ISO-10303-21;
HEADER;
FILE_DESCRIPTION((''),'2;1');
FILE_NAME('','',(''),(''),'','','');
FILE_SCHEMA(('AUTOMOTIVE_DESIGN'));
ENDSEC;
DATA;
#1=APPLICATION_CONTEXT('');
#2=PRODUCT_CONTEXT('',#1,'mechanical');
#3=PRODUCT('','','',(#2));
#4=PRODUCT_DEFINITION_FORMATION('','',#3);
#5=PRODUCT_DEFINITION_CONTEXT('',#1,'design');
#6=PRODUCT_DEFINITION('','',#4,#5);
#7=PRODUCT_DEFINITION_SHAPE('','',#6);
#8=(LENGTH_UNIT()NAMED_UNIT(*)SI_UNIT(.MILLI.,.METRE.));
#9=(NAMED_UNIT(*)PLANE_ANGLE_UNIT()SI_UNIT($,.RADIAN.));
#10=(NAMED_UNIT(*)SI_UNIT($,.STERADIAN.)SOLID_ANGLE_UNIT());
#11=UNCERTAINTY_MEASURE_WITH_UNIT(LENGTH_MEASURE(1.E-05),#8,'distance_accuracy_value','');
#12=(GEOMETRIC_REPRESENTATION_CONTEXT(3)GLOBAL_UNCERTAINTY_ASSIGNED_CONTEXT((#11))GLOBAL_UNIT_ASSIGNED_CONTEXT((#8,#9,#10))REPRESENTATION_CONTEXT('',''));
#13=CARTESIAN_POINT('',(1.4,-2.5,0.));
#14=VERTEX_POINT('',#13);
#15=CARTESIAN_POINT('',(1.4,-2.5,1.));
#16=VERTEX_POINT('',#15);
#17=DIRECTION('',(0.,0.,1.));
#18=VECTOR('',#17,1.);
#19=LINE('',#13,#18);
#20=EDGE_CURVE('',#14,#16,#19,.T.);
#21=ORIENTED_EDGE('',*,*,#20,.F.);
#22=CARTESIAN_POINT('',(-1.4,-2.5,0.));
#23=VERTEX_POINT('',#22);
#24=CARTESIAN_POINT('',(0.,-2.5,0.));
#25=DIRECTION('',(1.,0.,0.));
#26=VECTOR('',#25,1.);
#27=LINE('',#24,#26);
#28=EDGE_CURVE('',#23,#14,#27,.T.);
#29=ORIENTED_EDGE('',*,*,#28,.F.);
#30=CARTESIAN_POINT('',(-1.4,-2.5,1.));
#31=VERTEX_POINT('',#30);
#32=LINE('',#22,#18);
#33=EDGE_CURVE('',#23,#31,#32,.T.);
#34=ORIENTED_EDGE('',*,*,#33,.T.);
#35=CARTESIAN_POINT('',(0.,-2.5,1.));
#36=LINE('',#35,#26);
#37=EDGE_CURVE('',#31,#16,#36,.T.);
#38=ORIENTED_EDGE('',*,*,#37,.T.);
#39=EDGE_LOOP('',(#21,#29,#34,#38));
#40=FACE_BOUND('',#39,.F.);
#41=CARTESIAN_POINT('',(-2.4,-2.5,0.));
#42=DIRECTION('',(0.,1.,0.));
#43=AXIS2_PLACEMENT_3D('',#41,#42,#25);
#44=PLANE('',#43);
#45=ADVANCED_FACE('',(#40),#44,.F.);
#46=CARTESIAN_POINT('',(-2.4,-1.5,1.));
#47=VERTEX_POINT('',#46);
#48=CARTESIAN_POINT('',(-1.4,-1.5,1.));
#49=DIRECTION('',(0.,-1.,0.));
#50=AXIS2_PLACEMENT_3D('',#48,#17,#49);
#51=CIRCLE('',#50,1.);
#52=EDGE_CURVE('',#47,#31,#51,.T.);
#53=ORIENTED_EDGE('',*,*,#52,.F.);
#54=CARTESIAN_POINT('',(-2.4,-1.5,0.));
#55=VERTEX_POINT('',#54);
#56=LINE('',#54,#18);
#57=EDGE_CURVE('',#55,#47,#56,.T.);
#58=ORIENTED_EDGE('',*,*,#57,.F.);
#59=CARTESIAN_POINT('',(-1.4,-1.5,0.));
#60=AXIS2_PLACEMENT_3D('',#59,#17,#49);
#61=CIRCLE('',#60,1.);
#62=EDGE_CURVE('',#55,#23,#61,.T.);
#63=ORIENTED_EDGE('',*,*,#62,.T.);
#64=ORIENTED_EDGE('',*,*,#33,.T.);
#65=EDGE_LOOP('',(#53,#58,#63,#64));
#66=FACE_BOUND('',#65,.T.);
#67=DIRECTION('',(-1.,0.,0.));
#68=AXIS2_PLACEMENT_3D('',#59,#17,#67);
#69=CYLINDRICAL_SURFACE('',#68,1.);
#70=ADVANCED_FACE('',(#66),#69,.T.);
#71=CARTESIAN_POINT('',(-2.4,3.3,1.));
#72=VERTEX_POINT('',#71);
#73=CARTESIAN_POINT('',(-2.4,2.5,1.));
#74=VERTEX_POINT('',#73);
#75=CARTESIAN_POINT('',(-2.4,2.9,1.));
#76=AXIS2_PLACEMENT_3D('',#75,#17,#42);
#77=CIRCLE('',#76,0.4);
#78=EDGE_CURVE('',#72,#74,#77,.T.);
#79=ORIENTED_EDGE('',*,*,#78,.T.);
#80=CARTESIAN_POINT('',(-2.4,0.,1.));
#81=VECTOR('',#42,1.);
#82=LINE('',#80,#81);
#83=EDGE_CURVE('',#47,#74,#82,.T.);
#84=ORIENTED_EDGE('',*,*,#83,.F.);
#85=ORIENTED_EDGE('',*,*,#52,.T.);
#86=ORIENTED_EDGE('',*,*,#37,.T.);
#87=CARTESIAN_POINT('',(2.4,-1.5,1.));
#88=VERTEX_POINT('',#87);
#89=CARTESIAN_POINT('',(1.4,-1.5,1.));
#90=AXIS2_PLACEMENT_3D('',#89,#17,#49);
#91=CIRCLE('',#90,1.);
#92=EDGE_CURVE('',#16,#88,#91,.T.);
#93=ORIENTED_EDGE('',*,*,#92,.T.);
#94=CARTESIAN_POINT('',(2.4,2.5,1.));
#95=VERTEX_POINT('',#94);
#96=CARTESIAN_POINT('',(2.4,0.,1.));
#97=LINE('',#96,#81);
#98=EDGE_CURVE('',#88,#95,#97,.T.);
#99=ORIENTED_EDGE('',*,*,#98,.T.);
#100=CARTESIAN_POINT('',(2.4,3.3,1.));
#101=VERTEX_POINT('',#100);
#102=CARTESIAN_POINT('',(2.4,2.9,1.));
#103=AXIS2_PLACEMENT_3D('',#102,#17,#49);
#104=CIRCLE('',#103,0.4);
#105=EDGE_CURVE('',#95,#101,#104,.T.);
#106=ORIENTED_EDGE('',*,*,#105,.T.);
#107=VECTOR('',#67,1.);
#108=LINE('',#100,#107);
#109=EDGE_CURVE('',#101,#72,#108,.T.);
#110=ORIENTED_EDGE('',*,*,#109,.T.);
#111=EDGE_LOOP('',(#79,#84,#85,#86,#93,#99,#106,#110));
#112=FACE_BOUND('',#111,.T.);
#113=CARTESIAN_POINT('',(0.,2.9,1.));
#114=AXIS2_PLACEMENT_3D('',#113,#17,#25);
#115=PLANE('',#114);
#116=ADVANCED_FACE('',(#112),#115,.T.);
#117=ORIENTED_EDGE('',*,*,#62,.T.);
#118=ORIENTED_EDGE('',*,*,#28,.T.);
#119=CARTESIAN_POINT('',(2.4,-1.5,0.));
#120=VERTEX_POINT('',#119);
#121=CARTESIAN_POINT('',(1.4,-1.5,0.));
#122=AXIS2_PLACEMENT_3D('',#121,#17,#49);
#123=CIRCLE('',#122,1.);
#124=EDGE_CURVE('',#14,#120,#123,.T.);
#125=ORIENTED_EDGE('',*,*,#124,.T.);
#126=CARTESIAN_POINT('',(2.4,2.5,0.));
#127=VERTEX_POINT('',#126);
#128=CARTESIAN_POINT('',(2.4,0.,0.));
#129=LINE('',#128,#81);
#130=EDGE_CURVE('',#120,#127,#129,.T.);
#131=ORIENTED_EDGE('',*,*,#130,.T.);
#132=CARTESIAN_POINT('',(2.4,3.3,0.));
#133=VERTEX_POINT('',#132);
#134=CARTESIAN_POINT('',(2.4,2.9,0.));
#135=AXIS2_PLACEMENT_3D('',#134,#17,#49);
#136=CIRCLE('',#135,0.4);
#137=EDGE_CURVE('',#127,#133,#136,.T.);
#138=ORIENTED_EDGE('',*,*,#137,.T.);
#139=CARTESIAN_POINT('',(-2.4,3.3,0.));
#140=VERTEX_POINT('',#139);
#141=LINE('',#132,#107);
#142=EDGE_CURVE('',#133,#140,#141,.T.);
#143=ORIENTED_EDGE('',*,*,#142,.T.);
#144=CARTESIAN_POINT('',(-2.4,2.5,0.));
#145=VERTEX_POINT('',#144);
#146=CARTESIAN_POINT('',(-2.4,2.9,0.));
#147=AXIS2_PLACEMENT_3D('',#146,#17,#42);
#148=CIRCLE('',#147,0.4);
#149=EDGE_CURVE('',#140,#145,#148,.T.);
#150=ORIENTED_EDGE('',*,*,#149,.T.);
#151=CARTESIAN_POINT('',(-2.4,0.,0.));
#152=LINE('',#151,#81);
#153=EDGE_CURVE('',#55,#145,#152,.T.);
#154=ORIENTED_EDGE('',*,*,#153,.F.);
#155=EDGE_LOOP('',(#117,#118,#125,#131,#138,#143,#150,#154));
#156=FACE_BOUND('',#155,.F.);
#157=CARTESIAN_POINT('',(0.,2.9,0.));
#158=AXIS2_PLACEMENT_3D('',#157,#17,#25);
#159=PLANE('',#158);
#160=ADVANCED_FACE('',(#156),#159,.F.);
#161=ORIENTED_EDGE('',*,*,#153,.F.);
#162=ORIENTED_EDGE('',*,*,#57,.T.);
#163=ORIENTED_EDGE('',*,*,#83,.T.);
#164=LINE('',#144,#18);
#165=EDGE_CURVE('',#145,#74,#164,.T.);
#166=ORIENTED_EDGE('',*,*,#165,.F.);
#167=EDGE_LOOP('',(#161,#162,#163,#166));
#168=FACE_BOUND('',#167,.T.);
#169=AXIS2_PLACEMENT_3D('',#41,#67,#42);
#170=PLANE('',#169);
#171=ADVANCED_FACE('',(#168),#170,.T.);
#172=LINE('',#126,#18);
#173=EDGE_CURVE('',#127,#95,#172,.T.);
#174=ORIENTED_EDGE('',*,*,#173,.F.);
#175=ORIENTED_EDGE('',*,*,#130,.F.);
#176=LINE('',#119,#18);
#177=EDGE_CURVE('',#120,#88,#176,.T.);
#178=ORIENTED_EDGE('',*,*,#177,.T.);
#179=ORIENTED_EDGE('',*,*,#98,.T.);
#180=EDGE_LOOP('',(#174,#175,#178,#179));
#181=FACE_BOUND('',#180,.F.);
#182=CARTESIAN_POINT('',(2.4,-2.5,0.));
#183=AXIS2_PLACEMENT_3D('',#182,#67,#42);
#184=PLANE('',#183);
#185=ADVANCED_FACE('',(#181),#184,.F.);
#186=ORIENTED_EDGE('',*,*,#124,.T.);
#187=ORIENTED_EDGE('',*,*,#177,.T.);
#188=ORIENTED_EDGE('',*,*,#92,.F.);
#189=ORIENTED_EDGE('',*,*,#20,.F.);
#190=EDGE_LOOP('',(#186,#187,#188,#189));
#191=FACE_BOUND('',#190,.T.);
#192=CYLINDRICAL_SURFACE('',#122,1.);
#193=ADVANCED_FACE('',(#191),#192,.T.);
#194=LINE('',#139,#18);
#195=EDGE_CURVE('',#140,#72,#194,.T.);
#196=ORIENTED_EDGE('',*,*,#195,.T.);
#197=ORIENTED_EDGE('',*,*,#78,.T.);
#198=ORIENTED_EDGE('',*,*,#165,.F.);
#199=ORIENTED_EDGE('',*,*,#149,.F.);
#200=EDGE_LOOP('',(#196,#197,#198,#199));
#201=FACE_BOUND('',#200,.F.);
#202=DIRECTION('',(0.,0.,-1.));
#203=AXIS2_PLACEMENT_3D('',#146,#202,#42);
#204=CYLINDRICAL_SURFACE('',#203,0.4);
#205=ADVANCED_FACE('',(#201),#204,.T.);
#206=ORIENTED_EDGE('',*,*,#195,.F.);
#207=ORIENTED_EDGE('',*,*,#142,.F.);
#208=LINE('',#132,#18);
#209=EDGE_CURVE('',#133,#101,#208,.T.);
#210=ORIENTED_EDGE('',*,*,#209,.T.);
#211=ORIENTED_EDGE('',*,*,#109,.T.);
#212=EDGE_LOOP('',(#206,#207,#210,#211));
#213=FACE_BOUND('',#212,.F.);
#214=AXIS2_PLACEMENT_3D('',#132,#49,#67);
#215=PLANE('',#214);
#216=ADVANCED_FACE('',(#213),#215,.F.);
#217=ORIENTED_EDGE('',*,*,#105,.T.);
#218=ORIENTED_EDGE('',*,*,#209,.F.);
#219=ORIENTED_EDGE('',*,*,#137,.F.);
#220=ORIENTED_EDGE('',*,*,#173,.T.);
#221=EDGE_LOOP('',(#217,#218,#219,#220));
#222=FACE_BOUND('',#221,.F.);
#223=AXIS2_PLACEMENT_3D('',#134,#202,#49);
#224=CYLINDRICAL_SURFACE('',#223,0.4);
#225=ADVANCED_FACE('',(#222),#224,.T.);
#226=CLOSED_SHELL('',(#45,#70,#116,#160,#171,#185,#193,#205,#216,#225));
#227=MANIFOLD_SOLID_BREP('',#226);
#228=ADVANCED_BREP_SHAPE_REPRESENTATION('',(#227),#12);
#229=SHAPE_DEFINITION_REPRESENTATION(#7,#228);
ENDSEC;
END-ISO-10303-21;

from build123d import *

# Parameters (mm, degrees)
F0_W     = 4.8
F0_H     = 5
F1_DEPTH = 1
F2_R     = 1


with BuildPart() as f1:
    # F0 (on Top) → F1 (new body)
    with BuildSketch(Plane.XY):
        with BuildLine():
            Line((-2.4, 2.5), (2.4, 2.5))
            ThreePointArc((2.4, 2.5), (2.8, 2.9), (2.4, 3.3))
            Line((2.4, 3.3), (0, 3.3))
            Line((0, 3.3), (-2.4, 3.3))
            ThreePointArc((-2.4, 3.3), (-2.8, 2.9), (-2.4, 2.5))
        make_face()
        Rectangle(F0_W, F0_H)
    extrude(amount=F1_DEPTH)

    # F2
    f2_edges = [f1.edges().sort_by_distance(p)[0] for p in [
        (-2.4, -2.5, 0.5),
        (2.4, -2.5, 0.5),
    ]]
    fillet(f2_edges, radius=F2_R)


solid = f1.part
